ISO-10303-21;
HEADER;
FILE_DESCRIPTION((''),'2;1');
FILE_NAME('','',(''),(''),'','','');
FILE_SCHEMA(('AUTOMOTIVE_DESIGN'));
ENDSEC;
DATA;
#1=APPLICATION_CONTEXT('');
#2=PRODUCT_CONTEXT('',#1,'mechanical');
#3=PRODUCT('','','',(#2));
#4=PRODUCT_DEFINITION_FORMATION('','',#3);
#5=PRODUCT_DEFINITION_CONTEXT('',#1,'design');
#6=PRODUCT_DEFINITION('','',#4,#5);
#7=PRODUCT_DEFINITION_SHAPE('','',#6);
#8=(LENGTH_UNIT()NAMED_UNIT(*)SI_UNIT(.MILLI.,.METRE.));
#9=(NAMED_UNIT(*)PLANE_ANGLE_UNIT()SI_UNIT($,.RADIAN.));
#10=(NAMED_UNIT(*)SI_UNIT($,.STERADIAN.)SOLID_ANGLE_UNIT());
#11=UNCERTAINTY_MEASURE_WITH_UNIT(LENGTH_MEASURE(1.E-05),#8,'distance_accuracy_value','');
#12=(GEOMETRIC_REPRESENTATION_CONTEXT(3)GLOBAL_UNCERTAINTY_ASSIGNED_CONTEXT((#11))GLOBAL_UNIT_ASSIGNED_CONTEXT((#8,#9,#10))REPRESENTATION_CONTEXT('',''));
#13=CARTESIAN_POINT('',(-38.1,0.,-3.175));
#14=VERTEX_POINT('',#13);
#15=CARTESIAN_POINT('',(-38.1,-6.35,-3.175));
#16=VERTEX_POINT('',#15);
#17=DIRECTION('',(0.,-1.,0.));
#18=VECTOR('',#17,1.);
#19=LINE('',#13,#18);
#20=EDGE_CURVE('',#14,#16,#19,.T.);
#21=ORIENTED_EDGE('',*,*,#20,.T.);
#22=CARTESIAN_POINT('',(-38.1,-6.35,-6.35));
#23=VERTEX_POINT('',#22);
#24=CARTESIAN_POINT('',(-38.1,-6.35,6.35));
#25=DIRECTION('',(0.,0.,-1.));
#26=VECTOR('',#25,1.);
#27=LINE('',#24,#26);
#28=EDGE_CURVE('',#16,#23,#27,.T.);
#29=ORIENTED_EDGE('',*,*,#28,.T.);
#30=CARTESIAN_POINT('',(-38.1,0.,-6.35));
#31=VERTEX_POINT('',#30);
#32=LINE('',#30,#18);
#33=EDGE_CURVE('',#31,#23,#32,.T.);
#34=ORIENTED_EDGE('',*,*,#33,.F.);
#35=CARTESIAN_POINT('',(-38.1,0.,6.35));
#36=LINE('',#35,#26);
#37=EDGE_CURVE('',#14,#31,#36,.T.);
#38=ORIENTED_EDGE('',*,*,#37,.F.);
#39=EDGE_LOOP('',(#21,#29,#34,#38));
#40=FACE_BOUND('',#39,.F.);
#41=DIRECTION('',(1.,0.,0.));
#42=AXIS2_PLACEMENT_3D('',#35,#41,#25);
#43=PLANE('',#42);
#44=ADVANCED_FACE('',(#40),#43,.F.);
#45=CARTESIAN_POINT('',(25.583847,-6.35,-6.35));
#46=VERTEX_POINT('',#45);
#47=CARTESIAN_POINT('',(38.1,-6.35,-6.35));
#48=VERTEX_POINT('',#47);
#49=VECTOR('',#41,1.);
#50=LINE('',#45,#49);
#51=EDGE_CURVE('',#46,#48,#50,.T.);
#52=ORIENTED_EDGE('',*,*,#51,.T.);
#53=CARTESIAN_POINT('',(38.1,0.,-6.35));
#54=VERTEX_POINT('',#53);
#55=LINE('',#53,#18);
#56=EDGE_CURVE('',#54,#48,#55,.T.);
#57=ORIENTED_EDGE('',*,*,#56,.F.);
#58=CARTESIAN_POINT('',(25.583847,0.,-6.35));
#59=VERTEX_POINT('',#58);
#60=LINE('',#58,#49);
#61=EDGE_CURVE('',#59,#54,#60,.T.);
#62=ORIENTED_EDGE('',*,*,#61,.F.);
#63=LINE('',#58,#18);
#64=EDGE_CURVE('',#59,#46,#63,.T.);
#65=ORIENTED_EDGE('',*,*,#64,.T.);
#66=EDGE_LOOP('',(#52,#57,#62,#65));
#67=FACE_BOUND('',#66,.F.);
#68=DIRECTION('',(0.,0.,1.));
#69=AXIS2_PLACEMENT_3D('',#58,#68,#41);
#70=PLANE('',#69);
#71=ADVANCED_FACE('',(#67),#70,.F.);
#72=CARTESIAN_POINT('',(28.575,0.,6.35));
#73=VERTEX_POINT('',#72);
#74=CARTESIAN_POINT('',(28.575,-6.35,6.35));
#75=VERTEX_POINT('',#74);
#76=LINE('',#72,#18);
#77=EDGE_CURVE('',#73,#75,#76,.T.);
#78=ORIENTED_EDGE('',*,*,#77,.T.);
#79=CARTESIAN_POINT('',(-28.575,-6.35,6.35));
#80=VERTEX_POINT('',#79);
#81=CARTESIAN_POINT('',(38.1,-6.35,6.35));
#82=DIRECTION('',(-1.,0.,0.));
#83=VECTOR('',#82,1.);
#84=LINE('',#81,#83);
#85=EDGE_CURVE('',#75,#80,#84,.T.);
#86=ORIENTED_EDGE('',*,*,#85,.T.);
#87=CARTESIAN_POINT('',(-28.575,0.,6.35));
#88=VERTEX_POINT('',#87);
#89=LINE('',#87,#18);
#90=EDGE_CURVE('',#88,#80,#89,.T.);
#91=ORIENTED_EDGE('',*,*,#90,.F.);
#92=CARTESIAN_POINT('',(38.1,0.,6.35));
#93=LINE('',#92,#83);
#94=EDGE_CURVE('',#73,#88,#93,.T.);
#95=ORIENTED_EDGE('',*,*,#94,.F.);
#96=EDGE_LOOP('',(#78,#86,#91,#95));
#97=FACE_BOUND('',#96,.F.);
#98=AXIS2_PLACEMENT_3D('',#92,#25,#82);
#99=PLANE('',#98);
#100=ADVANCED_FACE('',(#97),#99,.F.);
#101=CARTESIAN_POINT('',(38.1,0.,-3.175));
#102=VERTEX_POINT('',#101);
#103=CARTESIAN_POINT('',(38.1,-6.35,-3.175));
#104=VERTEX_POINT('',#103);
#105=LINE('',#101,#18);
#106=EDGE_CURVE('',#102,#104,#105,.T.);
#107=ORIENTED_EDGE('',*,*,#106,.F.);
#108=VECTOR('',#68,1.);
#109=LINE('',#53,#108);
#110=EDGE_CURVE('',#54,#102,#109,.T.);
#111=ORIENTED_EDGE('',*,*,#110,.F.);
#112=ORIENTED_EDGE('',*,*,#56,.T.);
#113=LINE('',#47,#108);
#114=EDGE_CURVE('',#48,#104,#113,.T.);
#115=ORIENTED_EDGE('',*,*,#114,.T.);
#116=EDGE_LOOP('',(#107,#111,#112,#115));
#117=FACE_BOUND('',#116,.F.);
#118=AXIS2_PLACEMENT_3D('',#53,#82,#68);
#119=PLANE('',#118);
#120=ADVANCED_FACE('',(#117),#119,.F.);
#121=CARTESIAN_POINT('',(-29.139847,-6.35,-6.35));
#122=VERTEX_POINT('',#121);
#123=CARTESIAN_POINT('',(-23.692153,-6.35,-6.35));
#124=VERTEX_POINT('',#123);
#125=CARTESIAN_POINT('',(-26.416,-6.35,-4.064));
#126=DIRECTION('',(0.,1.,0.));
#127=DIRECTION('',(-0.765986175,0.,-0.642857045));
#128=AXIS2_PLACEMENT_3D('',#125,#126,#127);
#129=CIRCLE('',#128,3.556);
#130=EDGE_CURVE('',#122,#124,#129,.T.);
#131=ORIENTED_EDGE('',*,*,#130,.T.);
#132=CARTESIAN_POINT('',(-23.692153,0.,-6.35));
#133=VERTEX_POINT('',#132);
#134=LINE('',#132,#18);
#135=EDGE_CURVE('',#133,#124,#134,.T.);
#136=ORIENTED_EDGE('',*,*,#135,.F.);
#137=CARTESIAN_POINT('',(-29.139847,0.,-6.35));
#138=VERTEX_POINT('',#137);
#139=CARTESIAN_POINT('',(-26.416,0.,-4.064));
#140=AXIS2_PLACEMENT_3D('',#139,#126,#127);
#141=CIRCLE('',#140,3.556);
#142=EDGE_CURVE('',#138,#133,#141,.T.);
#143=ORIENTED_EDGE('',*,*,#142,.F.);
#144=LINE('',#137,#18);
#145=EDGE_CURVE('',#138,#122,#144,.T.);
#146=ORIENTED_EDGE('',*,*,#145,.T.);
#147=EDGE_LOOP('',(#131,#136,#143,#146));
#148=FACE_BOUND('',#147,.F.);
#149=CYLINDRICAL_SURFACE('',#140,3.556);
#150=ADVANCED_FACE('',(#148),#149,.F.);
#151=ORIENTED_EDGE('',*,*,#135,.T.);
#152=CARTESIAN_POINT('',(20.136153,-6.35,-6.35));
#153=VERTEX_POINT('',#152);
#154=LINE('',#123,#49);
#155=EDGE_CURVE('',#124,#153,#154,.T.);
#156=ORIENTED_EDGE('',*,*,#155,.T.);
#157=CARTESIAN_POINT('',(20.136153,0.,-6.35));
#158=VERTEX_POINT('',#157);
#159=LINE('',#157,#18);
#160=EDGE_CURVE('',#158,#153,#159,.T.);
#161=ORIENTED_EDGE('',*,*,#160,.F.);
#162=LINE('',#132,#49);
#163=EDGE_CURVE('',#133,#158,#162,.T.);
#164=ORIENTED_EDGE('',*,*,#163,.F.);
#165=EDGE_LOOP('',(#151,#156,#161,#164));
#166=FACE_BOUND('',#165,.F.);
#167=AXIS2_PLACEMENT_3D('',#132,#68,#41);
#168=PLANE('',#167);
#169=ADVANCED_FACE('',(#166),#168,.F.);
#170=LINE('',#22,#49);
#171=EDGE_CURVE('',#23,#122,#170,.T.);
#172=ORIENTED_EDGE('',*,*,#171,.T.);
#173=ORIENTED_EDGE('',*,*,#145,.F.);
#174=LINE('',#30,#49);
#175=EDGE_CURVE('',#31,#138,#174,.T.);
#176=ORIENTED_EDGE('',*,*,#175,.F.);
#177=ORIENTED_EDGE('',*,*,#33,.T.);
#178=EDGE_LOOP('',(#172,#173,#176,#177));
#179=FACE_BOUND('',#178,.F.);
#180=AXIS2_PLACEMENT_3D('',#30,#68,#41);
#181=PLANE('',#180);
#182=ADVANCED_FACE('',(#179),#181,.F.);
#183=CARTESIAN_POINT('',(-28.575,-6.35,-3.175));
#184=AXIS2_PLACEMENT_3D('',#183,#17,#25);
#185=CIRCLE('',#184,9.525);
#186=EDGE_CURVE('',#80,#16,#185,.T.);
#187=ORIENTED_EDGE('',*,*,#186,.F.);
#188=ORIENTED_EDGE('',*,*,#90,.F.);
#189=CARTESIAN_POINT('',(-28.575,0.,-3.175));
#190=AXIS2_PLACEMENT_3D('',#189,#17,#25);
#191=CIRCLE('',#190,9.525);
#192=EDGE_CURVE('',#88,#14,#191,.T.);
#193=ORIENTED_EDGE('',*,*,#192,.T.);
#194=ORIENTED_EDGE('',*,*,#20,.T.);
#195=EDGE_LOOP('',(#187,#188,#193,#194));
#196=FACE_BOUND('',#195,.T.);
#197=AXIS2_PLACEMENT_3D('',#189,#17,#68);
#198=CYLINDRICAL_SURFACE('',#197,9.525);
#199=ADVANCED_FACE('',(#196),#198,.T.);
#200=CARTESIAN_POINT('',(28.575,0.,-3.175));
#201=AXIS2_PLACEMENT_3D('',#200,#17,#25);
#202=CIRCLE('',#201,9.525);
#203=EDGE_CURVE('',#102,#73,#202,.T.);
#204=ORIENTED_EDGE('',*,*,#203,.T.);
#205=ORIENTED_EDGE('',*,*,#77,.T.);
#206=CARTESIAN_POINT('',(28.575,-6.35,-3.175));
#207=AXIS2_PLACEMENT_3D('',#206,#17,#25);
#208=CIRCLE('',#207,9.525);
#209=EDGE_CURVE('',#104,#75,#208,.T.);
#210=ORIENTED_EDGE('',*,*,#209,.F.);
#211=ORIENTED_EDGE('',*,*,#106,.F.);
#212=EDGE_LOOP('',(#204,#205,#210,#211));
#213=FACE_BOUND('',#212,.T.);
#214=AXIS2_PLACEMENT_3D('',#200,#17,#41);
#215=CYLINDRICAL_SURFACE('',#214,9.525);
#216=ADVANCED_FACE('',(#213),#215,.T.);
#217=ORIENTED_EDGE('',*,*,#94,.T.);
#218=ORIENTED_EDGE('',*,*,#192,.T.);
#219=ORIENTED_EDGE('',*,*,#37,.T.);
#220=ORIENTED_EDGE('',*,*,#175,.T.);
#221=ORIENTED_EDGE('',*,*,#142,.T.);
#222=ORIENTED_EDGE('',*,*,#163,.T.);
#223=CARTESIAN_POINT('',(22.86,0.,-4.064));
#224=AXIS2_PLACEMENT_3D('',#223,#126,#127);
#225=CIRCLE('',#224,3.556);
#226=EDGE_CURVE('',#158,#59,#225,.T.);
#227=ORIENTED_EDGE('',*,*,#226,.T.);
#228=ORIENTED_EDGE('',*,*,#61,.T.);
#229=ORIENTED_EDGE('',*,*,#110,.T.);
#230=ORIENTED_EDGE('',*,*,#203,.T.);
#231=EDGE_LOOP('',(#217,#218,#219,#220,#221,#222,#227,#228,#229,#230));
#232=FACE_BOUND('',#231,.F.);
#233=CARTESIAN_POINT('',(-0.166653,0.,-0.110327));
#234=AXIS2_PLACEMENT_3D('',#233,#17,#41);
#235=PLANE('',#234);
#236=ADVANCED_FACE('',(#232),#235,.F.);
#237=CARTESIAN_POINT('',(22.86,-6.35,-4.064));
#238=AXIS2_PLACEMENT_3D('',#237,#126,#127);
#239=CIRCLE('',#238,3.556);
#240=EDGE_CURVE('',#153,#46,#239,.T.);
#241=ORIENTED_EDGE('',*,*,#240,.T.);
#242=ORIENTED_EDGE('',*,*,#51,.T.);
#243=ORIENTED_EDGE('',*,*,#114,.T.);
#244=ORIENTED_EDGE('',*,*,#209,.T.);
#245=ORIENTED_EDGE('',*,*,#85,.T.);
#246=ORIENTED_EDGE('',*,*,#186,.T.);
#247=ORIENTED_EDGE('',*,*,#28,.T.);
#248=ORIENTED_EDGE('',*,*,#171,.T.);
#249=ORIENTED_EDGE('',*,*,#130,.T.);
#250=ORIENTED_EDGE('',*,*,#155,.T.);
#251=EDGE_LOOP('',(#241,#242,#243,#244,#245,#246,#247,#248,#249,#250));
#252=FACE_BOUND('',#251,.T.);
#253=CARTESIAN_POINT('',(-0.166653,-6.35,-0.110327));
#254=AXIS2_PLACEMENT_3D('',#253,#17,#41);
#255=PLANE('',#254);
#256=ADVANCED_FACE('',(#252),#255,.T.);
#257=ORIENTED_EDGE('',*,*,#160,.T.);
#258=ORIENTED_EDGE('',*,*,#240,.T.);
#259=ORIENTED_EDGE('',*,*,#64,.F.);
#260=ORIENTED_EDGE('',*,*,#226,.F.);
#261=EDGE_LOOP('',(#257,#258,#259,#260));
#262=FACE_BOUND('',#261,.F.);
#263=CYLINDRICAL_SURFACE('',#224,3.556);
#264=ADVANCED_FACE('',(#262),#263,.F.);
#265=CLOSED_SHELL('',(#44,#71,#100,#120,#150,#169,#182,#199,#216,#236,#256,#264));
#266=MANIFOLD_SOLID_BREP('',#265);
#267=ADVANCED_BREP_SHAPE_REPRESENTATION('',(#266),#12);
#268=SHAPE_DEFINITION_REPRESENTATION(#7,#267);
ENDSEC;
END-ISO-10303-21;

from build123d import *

# Parameters (mm, degrees)
F1_DEPTH = 6.35
F2_R     = 9.525


with BuildPart() as f1:
    # F0 (on Front) → F1 (new body)
    with BuildSketch(Plane.XZ):
        with BuildLine():
            Line((25.583847, -6.35), (38.1, -6.35))
            Line((38.1, -6.35), (38.1, 6.35))
            Line((38.1, 6.35), (-38.1, 6.35))
            Line((-38.1, 6.35), (-38.1, -6.35))
            Line((-38.1, -6.35), (-29.139847, -6.35))
            ThreePointArc((-29.139847, -6.35), (-26.416, -0.508), (-23.692153, -6.35))
            Line((-23.692153, -6.35), (20.136153, -6.35))
            ThreePointArc((20.136153, -6.35), (22.86, -0.508), (25.583847, -6.35))
        make_face()
    extrude(amount=F1_DEPTH)

    # F2
    f2_edges = [f1.edges().sort_by_distance(p)[0] for p in [
        (-38.1, -3.175, 6.35),
        (38.1, -3.175, 6.35),
    ]]
    fillet(f2_edges, radius=F2_R)


solid = f1.part
